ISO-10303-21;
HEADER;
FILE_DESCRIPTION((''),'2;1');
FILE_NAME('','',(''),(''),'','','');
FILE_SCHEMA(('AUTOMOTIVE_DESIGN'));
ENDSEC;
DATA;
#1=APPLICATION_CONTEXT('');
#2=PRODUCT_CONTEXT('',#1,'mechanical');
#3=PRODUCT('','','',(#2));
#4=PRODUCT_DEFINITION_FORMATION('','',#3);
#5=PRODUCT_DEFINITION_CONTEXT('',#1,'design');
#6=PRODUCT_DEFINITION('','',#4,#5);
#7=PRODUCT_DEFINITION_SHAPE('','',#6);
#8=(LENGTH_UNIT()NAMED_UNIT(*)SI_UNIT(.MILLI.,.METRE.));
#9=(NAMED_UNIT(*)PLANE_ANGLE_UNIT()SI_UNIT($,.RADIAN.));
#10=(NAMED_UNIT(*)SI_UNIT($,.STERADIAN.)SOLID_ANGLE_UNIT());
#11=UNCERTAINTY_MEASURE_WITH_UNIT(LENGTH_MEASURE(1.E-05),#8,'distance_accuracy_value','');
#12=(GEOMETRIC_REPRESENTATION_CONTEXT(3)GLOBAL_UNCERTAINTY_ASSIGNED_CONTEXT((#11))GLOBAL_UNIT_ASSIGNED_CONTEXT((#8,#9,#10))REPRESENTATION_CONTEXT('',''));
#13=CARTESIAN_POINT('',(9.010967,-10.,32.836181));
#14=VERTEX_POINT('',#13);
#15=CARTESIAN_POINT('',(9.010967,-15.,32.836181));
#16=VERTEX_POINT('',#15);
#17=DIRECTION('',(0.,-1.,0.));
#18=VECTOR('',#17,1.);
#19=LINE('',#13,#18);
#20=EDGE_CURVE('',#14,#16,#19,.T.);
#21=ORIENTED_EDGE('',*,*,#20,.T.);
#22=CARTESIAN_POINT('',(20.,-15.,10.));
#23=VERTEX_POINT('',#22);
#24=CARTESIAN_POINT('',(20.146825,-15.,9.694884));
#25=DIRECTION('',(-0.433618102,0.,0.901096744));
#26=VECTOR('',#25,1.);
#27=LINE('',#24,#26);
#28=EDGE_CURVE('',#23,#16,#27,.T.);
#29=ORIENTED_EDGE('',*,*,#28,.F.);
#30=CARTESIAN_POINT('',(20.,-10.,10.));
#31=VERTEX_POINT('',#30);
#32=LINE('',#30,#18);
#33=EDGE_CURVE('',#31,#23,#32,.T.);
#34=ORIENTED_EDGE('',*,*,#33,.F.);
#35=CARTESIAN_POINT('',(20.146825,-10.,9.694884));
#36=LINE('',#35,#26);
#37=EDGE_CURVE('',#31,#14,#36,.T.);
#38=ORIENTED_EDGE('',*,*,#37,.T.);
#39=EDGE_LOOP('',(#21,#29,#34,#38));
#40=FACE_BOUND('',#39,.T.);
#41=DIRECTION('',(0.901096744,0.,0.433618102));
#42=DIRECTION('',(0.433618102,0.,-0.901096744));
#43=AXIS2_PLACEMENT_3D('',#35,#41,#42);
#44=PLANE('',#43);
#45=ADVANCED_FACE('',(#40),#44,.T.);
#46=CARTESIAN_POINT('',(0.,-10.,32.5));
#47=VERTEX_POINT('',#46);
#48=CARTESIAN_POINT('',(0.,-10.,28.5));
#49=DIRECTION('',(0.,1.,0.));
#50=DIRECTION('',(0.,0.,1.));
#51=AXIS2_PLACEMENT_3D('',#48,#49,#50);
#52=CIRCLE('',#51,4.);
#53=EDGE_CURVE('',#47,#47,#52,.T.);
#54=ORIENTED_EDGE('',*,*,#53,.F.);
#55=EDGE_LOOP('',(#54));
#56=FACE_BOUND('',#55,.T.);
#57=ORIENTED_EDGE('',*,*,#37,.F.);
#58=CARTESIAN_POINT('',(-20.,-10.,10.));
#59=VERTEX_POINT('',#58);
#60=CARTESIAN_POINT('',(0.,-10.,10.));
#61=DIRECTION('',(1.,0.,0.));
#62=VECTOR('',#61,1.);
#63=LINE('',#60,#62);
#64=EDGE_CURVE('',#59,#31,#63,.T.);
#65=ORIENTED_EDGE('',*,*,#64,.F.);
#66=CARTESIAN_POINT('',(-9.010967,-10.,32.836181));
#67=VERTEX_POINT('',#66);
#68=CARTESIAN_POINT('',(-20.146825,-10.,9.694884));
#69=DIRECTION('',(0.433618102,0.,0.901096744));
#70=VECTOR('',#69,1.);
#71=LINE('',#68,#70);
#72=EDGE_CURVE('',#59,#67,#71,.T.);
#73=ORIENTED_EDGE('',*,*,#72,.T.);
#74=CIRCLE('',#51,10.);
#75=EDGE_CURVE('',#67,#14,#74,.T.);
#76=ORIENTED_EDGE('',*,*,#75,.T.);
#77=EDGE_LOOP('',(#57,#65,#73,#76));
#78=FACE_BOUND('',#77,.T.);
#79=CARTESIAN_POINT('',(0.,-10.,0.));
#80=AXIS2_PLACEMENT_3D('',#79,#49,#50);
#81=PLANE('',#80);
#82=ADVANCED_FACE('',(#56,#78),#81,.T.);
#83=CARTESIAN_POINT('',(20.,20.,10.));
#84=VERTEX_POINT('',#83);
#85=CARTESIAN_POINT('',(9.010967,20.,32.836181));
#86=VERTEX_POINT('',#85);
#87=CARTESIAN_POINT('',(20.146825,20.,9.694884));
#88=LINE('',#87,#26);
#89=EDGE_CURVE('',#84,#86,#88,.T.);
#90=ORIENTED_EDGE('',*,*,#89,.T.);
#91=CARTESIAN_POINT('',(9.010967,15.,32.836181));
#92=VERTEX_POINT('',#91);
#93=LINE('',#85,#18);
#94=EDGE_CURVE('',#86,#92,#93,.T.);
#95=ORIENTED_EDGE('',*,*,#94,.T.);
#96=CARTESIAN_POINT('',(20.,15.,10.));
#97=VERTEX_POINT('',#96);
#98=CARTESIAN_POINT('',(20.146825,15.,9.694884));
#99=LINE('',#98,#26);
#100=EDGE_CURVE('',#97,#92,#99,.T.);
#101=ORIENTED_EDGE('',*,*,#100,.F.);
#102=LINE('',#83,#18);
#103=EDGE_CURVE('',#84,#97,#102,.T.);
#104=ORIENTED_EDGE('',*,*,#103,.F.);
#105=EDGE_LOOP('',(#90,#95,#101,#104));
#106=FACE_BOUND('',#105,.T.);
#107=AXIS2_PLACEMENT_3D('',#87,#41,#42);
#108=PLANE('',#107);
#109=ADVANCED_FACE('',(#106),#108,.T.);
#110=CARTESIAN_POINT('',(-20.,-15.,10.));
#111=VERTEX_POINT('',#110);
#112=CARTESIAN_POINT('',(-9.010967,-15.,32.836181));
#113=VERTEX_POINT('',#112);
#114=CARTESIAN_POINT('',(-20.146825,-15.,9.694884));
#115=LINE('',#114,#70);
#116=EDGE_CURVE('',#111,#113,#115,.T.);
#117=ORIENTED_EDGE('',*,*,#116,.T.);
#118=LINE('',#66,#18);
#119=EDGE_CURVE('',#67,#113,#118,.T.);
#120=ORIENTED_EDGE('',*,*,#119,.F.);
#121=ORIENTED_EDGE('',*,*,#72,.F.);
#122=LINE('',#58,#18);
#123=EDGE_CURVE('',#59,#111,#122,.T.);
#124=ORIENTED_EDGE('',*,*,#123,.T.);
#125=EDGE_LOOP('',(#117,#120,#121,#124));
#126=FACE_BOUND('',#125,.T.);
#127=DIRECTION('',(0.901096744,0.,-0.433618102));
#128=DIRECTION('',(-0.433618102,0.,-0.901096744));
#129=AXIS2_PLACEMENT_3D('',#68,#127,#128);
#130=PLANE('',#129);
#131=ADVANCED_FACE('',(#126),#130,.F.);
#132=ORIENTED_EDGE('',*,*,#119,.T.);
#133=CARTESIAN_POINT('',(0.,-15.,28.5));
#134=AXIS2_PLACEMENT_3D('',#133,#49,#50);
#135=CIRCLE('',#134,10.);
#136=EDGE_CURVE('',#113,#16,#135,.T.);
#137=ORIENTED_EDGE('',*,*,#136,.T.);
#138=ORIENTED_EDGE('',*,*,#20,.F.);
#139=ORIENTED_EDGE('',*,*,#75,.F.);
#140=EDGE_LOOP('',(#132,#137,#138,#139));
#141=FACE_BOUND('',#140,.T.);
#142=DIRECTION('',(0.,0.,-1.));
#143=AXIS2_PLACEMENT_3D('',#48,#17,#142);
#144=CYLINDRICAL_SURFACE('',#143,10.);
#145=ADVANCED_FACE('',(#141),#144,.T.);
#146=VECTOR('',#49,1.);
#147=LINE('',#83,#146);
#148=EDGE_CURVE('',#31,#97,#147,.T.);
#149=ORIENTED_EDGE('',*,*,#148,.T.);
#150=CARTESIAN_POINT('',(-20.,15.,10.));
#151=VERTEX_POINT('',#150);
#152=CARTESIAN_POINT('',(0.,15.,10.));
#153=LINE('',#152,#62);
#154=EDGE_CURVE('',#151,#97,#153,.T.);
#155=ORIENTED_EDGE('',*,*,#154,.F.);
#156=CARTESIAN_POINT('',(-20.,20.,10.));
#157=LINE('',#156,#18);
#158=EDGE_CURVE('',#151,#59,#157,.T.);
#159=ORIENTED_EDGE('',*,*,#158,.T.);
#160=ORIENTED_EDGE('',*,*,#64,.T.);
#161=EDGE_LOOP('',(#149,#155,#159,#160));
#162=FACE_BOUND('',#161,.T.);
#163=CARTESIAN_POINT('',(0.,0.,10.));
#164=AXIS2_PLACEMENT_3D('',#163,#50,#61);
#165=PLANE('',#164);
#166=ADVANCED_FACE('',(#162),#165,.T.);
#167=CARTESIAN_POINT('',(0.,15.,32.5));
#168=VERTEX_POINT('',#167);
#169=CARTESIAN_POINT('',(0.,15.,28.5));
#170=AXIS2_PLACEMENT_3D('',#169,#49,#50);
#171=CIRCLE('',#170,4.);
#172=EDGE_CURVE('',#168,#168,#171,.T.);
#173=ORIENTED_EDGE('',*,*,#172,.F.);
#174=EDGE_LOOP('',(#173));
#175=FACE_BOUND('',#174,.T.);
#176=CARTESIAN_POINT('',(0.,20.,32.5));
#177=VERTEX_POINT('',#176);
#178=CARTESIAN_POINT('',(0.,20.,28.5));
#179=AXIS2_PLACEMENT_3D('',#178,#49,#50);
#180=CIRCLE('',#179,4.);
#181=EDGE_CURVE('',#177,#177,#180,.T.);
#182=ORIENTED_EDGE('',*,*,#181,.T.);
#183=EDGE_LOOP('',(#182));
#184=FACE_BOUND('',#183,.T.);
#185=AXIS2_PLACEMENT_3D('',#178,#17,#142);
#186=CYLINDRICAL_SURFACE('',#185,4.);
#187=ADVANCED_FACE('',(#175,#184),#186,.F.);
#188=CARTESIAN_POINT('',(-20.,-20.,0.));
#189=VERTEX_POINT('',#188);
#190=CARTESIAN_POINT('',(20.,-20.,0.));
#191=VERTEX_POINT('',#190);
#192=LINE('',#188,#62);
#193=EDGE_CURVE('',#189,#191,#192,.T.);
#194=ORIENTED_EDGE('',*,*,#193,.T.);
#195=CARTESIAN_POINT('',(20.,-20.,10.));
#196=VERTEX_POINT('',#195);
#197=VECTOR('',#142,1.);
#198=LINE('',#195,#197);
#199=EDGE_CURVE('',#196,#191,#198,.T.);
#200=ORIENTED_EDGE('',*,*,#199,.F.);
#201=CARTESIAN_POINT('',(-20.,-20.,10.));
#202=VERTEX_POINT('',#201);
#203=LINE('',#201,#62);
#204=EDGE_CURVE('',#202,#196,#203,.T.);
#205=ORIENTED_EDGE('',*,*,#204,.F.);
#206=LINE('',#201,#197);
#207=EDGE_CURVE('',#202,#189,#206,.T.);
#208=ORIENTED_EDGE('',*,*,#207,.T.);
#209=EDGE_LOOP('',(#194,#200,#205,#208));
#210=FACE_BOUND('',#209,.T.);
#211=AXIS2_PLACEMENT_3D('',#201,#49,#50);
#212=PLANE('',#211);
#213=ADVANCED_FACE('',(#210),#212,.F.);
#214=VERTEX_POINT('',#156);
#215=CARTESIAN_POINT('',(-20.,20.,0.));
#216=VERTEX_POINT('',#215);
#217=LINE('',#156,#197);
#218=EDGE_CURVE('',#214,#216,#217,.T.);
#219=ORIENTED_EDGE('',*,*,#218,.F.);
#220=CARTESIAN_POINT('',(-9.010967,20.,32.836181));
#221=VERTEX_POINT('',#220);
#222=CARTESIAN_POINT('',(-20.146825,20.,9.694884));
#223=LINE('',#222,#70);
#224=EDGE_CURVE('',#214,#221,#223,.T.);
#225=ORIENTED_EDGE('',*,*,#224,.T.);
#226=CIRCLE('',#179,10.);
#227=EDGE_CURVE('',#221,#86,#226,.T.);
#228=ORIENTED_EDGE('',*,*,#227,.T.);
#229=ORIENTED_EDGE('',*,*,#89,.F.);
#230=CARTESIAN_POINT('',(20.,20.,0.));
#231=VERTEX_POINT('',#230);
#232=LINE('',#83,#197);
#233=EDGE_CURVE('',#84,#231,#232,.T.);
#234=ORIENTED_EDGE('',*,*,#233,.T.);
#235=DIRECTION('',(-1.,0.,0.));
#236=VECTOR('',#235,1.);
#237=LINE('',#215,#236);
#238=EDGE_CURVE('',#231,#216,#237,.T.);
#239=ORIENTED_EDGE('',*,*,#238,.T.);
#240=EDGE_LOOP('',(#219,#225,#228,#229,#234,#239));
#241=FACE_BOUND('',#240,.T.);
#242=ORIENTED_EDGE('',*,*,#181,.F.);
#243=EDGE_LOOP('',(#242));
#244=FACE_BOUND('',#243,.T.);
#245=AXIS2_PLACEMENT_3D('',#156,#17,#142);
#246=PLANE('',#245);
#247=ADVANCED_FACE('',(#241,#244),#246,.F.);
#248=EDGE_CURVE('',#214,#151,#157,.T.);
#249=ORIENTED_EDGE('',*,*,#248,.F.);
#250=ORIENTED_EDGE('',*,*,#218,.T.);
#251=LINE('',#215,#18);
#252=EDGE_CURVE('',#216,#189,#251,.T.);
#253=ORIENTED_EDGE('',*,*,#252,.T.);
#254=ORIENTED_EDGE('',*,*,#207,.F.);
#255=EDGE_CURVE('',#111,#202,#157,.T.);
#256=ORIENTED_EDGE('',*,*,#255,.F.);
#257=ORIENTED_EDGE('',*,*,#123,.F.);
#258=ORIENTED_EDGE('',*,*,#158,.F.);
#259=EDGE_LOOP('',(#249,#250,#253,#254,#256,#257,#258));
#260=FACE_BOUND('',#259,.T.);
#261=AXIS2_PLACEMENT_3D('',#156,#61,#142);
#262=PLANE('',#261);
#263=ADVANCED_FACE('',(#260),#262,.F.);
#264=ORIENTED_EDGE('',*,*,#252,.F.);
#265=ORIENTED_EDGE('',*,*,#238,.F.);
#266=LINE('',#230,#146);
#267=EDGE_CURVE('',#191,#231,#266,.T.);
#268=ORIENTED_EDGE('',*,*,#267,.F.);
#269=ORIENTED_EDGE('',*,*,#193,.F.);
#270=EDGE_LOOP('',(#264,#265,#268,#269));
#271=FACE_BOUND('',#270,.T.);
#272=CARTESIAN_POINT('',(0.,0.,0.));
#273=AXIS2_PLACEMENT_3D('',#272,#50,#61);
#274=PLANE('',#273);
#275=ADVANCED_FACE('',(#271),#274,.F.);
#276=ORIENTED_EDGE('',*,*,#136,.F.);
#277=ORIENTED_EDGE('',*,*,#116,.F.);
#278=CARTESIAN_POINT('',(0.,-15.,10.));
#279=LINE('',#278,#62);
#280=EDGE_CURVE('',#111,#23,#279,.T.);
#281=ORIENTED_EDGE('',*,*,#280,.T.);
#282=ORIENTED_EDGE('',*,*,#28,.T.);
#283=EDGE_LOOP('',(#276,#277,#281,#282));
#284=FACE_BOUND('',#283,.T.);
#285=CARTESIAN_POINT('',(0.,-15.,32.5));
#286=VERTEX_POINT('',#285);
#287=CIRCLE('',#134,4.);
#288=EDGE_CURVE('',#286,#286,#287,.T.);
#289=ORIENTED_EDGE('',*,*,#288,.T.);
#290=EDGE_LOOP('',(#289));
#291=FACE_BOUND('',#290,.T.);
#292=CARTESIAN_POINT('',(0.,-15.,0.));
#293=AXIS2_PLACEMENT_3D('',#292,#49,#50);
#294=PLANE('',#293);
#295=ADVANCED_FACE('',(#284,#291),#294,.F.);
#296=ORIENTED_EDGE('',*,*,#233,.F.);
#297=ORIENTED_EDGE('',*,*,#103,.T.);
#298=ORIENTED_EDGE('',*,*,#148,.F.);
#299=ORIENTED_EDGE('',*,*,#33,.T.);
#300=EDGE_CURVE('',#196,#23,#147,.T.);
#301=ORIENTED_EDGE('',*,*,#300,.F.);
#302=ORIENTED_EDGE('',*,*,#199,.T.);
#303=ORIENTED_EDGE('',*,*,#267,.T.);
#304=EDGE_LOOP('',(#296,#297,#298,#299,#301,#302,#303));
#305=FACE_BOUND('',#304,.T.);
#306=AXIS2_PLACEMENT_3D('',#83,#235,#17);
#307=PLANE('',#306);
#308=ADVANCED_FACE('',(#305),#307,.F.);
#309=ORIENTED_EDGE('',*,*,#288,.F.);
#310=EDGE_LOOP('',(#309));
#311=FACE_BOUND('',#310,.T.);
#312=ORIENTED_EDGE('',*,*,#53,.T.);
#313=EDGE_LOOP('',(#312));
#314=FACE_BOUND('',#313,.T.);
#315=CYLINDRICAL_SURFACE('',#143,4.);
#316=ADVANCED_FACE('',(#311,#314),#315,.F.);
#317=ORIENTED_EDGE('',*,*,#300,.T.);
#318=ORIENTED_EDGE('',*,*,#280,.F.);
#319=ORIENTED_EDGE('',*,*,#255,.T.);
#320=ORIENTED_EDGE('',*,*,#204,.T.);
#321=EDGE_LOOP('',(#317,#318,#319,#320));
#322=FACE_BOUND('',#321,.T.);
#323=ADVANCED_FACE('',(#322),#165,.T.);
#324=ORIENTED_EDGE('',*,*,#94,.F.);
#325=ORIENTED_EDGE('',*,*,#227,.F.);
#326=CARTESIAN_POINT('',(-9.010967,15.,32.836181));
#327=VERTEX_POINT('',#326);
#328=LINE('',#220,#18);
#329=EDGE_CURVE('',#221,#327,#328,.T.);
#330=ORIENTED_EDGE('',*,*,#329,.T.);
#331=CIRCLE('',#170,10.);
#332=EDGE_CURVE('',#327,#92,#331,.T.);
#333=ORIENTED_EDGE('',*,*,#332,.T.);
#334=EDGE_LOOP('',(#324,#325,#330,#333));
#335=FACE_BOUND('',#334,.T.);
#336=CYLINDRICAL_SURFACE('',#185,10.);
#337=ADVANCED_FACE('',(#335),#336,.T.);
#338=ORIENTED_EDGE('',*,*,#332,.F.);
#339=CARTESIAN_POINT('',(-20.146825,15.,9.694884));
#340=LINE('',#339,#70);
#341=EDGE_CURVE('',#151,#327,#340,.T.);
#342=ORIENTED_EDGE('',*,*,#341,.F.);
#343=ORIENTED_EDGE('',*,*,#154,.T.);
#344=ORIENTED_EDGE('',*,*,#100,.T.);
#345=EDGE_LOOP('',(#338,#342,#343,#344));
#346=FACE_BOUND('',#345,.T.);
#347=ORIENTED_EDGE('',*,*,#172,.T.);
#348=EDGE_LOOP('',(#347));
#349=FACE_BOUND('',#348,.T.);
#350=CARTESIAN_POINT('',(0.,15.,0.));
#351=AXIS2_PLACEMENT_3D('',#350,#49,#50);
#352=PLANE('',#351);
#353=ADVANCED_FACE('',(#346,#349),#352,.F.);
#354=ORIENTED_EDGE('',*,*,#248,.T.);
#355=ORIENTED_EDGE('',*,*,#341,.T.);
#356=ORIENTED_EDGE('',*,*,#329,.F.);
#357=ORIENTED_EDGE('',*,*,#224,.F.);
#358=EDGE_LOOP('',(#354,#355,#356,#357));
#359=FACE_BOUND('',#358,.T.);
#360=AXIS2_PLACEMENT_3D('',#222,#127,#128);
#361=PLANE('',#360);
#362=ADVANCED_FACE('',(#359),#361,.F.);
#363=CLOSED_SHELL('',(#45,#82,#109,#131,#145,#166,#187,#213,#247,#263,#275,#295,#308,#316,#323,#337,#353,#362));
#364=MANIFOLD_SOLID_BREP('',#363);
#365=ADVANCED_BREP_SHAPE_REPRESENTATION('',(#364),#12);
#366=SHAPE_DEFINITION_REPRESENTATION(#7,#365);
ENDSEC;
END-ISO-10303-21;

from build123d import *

# Parameters (mm, degrees)
SKETCH_1_W             = 40
SKETCH_1_H             = 40
EXTRUDE_1_DEPTH        = 10
SKETCH_2_R             = 10
SKETCH_2_R_2           = 4
EXTRUDE_2_DEPTH        = 5
PATTERN_LINEAR_1_COUNT = 2
PATTERN_LINEAR_1_PITCH = 30


with BuildPart() as part:
    # 草图1 → 凸台-拉伸1 (new body)
    with BuildSketch(Plane.XY):
        Rectangle(SKETCH_1_W, SKETCH_1_H)
    extrude(amount=EXTRUDE_1_DEPTH)

    # 草图2 → 凸台-拉伸2 (add)
    # profile 1 of 2: a face of its own
    with BuildSketch(Plane(origin=(0, 15, 0), x_dir=(1, 0, 0), z_dir=(0, 1, 0))):
        with BuildLine():
            Line((20, -10), (-20, -10))
            Line((-20, -10), (-9.01096744, -32.836181016))
            ThreePointArc((-9.01096744, -32.836181016), (-2.223772201, -18.750392972), (10, -28.5))
            ThreePointArc((10, -28.5), (9.749607028, -30.723772201), (9.01096744, -32.836181016))
            Line((9.01096744, -32.836181016), (20, -10))
        make_face()
    # profile 2 of 2: a face of its own
    with BuildSketch(Plane(origin=(0, 15, 0), x_dir=(1, 0, 0), z_dir=(0, 1, 0))):
        with Locations((0, -28.5)):
            Circle(SKETCH_2_R)
        with Locations(Location((0, -28.5, 0), (0, 0, 270))):
            Circle(SKETCH_2_R_2, mode=Mode.SUBTRACT)
    extrude_2 = extrude(amount=EXTRUDE_2_DEPTH)

    # 阵列(线性)1: 凸台-拉伸2 ×2
    with Locations(*[(0, -i * PATTERN_LINEAR_1_PITCH, 0) for i in range(1, PATTERN_LINEAR_1_COUNT)]):
        add(extrude_2)


solid = part.part
